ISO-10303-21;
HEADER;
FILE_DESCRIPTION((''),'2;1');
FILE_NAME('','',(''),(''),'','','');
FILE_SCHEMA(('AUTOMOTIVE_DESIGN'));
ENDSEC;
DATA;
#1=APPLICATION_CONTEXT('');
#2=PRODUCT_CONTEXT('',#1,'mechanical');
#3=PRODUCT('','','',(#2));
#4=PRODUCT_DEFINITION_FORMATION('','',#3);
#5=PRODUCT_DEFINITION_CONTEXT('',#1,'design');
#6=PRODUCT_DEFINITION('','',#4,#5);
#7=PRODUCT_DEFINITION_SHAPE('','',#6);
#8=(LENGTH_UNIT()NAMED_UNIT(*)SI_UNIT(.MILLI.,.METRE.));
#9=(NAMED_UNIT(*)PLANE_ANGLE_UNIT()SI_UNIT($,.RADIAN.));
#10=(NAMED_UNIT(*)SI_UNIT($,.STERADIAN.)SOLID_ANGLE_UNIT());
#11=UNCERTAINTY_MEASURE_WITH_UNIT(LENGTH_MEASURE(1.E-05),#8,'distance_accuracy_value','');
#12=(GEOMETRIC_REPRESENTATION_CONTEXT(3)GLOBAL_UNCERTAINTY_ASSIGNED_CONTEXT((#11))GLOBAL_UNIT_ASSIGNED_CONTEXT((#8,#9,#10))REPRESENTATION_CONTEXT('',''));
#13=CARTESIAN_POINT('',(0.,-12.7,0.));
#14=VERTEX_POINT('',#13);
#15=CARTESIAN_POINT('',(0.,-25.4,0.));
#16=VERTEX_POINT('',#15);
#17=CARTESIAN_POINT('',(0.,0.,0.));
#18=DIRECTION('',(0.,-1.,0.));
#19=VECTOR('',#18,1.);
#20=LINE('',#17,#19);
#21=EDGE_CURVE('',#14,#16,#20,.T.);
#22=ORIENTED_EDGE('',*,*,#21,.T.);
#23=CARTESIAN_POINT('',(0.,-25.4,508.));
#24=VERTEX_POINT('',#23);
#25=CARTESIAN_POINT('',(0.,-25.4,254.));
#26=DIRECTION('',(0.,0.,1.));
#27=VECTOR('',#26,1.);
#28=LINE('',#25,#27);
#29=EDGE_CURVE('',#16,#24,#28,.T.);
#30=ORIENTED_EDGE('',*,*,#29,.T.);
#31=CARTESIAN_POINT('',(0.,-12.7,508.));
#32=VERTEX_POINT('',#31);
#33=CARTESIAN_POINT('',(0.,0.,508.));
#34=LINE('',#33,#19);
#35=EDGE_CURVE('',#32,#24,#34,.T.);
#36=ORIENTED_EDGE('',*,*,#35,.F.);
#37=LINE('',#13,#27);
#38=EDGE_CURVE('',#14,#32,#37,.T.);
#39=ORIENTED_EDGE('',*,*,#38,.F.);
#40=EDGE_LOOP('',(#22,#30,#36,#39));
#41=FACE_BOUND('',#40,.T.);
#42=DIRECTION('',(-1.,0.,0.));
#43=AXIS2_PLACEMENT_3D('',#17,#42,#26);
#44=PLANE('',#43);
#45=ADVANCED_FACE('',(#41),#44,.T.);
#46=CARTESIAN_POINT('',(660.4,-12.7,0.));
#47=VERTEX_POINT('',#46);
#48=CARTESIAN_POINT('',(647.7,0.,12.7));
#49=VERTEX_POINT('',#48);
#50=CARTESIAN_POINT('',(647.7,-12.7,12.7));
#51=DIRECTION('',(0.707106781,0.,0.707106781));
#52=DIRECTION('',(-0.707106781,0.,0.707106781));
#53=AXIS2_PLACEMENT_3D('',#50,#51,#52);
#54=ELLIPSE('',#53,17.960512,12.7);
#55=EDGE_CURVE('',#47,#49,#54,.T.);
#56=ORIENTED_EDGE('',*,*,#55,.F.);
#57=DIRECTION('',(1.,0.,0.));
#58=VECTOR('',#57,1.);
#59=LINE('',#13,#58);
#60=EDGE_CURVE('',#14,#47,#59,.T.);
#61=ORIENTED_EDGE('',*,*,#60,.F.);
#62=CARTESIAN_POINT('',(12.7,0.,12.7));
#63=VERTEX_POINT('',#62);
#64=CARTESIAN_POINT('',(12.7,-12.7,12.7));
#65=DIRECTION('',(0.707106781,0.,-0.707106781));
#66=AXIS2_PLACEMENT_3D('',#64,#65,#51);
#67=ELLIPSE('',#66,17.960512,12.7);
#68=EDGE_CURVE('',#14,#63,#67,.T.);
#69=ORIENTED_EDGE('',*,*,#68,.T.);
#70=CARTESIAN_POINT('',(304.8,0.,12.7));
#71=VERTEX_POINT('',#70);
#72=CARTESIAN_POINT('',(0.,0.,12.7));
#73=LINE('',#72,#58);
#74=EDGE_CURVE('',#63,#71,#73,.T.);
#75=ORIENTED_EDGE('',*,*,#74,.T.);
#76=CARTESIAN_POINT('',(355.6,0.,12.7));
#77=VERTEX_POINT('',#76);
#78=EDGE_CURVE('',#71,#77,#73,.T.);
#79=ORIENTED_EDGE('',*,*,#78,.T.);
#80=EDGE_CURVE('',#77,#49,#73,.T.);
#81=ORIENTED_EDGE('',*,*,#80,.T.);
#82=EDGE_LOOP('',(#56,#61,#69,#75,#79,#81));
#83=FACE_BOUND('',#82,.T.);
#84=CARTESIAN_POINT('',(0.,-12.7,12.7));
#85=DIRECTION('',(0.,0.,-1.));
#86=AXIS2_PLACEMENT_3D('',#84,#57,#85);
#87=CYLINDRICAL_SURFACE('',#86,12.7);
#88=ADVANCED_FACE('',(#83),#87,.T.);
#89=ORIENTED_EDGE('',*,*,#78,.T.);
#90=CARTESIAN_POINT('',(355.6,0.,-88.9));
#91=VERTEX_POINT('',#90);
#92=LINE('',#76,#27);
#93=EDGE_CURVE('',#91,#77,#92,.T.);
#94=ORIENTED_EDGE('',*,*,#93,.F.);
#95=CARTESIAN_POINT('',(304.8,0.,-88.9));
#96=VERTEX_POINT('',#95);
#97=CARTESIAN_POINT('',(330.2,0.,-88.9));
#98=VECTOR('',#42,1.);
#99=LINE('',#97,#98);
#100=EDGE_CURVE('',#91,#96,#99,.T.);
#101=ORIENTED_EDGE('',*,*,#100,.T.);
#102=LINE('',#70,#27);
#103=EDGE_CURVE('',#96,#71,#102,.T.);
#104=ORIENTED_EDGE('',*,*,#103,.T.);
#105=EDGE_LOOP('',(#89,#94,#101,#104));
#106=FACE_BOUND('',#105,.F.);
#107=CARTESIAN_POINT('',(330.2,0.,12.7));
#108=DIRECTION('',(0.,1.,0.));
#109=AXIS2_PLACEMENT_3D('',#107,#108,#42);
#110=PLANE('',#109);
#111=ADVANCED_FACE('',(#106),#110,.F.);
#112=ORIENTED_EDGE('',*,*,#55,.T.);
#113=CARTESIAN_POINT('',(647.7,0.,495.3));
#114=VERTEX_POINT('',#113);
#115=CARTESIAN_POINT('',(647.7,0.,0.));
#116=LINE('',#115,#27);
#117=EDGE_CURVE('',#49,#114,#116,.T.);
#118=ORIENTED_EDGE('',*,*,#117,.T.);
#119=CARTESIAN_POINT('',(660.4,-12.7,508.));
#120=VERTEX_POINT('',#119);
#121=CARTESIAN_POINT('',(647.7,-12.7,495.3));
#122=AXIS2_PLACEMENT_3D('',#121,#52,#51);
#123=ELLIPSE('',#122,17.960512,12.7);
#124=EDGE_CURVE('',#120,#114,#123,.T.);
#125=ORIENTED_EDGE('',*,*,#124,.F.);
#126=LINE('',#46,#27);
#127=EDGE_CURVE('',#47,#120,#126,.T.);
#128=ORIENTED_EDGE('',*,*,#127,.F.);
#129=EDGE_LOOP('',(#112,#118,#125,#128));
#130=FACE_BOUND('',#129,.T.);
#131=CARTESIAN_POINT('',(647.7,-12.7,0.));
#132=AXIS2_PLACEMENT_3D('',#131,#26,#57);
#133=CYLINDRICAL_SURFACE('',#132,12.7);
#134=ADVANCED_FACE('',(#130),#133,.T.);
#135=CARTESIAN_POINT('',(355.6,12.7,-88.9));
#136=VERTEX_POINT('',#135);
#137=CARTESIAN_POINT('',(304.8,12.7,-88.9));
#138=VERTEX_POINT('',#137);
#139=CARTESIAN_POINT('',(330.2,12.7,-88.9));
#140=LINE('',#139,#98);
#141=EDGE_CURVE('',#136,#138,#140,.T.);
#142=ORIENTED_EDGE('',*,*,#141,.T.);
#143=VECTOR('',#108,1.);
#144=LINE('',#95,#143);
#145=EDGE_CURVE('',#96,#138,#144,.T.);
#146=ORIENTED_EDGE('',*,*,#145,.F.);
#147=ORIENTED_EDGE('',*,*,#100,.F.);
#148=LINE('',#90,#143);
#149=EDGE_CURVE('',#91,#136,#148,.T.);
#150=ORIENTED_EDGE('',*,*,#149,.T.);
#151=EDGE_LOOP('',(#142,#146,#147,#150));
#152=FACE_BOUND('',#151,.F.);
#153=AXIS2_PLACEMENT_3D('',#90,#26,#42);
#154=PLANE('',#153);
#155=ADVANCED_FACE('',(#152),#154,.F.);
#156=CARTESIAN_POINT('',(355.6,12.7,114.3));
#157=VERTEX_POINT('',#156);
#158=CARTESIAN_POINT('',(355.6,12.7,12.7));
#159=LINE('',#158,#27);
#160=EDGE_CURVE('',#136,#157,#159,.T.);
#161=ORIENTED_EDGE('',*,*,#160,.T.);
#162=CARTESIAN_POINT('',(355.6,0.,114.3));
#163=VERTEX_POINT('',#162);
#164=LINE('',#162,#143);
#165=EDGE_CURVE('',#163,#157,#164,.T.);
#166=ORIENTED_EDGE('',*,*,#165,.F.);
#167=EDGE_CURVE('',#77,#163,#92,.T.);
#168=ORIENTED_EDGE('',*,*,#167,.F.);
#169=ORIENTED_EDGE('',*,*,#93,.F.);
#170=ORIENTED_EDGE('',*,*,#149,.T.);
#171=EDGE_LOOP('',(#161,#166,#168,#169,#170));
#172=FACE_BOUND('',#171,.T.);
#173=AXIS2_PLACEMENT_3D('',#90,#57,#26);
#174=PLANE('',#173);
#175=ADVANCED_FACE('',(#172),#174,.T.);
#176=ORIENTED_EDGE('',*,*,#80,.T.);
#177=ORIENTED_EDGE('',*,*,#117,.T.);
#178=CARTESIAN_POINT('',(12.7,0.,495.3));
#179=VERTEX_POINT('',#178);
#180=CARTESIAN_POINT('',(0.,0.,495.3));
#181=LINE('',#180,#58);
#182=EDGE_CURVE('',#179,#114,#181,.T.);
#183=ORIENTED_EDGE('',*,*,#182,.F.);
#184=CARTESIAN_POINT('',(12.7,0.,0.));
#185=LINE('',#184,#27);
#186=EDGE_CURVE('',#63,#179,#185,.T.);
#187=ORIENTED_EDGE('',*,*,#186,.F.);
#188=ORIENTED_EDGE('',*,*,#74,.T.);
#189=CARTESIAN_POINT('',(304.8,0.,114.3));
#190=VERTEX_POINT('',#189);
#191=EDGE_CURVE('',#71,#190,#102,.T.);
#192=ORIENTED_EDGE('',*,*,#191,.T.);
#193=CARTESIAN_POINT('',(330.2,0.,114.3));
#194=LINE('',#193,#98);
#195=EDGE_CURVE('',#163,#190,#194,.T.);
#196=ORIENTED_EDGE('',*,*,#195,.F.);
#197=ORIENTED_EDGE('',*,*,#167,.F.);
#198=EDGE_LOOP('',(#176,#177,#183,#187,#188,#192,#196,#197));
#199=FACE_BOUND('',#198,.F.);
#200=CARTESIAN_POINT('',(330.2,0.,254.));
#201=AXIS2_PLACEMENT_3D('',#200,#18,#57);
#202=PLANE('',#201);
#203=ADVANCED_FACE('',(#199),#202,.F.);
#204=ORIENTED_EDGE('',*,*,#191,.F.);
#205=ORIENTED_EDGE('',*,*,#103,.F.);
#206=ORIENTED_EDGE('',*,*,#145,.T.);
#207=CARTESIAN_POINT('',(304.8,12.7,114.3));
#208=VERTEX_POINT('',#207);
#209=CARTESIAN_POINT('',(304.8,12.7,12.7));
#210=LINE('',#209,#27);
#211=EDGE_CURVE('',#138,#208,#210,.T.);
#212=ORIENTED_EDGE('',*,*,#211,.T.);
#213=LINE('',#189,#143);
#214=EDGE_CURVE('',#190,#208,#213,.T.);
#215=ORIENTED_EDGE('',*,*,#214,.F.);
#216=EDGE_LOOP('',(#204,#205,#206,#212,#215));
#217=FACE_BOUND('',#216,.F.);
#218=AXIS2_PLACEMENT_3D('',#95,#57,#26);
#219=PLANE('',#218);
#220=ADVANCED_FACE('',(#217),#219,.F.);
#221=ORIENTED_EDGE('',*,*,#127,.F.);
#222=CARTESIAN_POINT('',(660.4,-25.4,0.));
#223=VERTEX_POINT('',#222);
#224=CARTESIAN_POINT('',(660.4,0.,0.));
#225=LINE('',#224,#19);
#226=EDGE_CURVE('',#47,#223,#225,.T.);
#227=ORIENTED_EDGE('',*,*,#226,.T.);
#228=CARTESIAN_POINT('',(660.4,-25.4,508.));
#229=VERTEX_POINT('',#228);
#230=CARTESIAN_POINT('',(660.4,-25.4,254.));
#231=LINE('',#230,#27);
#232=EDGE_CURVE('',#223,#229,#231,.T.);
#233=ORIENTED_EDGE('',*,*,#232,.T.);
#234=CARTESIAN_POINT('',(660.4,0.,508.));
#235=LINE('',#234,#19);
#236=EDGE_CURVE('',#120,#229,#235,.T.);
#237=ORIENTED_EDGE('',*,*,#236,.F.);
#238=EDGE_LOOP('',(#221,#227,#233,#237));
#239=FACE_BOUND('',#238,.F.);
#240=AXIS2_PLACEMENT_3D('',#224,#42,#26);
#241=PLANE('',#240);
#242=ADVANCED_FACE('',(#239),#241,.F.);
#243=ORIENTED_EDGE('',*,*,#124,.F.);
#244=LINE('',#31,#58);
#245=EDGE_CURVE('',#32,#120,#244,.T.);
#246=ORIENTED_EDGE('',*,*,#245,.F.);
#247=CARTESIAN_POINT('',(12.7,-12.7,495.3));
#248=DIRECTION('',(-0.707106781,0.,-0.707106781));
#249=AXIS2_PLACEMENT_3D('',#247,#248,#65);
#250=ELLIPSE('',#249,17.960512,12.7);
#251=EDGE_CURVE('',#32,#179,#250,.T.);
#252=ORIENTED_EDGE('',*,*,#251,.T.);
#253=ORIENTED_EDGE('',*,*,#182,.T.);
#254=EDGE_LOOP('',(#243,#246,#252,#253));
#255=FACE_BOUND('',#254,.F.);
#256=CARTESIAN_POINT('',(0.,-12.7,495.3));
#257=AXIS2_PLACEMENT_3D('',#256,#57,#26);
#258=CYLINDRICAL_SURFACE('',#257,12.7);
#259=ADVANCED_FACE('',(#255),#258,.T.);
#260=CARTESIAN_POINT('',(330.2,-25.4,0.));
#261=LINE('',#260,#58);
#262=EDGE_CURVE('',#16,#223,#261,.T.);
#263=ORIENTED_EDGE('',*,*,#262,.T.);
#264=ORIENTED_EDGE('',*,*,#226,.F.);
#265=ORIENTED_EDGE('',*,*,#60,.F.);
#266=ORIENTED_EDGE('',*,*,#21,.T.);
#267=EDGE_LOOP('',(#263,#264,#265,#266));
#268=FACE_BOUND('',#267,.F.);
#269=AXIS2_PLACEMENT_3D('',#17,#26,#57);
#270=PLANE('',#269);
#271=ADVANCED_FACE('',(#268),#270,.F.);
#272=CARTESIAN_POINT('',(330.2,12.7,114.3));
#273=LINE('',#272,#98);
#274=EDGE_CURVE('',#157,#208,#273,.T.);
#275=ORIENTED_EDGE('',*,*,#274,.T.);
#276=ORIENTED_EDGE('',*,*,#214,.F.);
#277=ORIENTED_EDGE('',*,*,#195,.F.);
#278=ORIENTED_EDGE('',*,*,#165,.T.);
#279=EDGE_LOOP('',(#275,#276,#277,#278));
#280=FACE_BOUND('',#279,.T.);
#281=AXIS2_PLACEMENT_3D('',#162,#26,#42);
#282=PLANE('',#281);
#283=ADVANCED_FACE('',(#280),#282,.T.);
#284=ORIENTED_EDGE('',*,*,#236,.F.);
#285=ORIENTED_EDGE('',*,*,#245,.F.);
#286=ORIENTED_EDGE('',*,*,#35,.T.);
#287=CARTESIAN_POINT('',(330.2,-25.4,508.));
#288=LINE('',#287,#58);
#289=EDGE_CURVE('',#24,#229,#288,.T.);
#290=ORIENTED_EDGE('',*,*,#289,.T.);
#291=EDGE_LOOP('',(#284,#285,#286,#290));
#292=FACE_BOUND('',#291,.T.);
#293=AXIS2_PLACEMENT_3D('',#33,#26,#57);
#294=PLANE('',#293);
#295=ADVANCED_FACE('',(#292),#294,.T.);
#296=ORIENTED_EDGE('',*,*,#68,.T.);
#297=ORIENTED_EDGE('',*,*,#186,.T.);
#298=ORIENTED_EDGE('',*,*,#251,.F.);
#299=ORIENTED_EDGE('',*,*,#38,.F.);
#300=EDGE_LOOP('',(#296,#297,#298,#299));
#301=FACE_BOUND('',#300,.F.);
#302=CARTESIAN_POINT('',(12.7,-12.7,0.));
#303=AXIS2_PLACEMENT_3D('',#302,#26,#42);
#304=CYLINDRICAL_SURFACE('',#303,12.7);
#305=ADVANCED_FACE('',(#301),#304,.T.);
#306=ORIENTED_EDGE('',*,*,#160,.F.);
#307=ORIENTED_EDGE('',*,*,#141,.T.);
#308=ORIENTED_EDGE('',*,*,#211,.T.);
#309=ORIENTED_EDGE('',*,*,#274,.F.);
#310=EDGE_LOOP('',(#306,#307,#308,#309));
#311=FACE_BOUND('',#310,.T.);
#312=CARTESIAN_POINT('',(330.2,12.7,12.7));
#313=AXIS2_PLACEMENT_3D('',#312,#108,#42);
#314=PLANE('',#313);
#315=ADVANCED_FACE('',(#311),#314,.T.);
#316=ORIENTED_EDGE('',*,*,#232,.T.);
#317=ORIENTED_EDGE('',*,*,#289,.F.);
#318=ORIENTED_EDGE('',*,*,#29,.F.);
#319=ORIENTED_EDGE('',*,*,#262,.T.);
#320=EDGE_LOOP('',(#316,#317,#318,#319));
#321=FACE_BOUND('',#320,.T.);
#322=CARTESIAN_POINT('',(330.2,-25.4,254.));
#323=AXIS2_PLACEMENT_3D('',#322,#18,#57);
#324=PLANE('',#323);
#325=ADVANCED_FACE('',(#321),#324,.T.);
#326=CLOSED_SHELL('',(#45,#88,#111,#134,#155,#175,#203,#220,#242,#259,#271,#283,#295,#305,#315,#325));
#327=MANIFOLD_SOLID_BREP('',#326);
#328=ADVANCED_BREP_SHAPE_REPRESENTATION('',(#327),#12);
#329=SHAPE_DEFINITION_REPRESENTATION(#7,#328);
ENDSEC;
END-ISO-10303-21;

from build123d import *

# Parameters (mm, degrees)
F0_W     = 660.4
F0_H     = 508
F1_DEPTH = 25.4
F2_R     = 12.7
F3_W     = 50.8
F3_H     = 203.2
F4_DEPTH = 12.7


with BuildPart() as f1:
    # F0 (on Front) → F1 (new body)
    with BuildSketch(Plane.XZ):
        with Locations((330.2, 254)):
            Rectangle(F0_W, F0_H)
    extrude(amount=F1_DEPTH)

    # F2
    f2_edges = [f1.edges().sort_by_distance(p)[0] for p in [
        (330.2, 0, 508),
        (660.4, 0, 254),
        (330.2, 0, 0),
        (0, 0, 254),
    ]]
    fillet(f2_edges, radius=F2_R)

    # F3 (on face) → F4 (join)
    with BuildSketch(Plane(origin=(0, 0, 0), x_dir=(-1, 0, 0), z_dir=(0, 1, 0))):
        with Locations((-330.2, 12.7)):
            Rectangle(F3_W, F3_H)
    extrude(amount=F4_DEPTH)


solid = f1.part
